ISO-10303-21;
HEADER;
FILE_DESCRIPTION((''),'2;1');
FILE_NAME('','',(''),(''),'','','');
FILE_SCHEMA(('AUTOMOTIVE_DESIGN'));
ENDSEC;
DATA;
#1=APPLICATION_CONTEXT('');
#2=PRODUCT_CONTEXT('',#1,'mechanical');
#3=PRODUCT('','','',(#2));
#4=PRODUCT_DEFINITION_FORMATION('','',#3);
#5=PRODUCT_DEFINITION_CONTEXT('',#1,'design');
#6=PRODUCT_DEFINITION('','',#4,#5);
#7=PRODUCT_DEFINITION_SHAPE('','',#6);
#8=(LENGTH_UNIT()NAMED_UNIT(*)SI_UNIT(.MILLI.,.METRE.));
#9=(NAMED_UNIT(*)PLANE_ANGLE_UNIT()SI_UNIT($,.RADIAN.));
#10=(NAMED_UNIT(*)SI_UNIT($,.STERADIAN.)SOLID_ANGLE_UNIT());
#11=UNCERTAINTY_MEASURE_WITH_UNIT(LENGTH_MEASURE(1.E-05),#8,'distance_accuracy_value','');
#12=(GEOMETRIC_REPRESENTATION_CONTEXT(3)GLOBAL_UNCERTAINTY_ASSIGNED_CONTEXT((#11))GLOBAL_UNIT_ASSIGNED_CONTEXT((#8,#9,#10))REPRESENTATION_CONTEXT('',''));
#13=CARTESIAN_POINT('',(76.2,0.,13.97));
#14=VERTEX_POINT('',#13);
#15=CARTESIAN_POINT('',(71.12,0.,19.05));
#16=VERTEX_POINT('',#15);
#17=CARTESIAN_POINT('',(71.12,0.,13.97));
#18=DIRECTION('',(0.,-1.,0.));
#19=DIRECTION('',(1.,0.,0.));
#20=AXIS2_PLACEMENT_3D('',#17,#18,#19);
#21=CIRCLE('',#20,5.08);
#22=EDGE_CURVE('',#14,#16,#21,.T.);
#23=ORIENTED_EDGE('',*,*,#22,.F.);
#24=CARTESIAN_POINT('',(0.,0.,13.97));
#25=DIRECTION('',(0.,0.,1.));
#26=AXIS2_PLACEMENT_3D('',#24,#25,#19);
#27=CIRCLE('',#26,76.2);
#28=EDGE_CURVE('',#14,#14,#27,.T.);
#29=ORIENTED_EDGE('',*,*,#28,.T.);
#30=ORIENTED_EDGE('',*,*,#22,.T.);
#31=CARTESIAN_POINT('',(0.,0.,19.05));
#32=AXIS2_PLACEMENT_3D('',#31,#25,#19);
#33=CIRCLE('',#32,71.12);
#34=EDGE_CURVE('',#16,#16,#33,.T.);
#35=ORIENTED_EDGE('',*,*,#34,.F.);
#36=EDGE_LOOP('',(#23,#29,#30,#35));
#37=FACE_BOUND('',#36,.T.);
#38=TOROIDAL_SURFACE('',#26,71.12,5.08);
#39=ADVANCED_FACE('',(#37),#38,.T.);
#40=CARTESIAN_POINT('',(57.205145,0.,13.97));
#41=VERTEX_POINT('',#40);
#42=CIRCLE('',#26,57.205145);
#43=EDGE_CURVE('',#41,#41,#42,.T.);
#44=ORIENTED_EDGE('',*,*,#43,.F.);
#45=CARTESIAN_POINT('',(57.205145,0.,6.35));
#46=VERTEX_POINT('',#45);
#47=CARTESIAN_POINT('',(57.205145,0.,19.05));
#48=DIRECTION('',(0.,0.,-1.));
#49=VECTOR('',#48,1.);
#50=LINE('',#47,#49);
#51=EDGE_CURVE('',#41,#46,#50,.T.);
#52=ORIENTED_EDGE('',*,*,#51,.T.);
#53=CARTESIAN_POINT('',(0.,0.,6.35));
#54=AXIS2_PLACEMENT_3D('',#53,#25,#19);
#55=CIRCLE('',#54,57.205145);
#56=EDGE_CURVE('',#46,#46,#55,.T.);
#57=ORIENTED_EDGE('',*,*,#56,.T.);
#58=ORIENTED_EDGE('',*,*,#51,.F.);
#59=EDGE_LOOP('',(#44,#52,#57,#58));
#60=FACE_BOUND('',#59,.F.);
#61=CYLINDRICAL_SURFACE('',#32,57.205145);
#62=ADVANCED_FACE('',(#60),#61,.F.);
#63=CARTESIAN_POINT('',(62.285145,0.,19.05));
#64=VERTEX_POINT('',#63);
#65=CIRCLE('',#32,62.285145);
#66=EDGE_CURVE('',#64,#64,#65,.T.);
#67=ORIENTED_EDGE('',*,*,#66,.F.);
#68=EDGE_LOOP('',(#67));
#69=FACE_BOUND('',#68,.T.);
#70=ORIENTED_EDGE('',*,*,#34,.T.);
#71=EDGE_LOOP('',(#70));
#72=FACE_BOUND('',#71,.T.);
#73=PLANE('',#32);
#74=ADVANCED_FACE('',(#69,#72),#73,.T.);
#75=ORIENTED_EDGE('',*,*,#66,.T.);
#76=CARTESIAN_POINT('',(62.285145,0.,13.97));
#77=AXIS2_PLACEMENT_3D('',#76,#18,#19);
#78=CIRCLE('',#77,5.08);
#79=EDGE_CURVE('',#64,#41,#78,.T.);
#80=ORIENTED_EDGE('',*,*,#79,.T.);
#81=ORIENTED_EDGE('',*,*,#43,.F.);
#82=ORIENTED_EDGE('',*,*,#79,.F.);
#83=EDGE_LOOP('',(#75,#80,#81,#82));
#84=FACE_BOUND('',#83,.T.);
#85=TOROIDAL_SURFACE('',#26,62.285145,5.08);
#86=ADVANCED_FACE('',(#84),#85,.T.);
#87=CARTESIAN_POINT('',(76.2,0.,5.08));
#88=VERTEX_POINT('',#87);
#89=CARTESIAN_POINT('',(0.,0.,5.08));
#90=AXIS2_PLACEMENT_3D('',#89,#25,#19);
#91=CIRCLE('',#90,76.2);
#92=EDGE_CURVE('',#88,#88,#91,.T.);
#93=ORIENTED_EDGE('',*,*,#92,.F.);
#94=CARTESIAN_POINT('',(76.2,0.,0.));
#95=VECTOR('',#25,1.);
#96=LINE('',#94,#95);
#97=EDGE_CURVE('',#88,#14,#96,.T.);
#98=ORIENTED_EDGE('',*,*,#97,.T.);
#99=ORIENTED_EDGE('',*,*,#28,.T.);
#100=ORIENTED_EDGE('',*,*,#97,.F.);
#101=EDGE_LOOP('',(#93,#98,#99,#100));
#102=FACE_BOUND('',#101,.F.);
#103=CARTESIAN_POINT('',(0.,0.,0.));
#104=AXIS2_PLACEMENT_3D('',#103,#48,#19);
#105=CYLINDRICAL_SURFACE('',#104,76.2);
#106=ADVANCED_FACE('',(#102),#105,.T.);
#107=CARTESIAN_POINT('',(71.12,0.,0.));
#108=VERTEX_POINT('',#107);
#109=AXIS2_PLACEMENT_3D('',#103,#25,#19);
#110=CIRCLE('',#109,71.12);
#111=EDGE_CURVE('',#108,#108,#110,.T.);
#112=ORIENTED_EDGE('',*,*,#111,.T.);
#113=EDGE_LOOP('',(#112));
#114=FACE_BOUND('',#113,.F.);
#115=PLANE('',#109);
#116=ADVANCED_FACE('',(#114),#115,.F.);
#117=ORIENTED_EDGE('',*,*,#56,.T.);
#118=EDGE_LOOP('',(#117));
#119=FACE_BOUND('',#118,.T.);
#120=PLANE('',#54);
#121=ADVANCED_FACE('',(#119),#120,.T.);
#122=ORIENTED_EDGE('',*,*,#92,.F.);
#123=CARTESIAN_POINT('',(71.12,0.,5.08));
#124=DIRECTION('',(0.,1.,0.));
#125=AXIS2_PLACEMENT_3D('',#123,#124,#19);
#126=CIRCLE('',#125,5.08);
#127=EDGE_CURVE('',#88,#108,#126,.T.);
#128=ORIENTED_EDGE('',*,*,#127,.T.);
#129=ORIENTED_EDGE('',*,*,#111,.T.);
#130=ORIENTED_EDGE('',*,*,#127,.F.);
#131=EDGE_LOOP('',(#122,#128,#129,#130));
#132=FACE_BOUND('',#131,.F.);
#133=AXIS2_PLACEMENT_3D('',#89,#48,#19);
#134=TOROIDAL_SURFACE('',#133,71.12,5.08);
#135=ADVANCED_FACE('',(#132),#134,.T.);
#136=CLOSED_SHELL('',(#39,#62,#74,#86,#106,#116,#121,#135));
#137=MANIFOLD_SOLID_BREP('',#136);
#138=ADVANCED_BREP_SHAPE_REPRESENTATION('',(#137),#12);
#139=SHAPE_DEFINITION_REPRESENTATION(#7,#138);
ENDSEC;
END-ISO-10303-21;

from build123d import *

# Parameters (mm, degrees)
F0_R     = 76.2
F1_DEPTH = 19.05
F2_R     = 57.205145
F3_DEPTH = 12.7
F4_R     = 5.08
F5_R     = 5.08


with BuildPart() as f1:
    # F0 (on Top) → F1 (new body)
    with BuildSketch(Plane.XY):
        Circle(F0_R)
    extrude(amount=F1_DEPTH)

    # F2 (on face) → F3 (cut)
    with BuildSketch(Plane.XY.offset(19.05)):
        Circle(F2_R)
    extrude(amount=-F3_DEPTH, mode=Mode.SUBTRACT)

    # F4
    f4_edges = [f1.edges().sort_by_distance(p)[0] for p in [
        (-57.205145, 0, 19.05),
        (-76.2, 0, 19.05),
    ]]
    fillet(f4_edges, radius=F4_R)

    # F5
    f5_edges = [f1.edges().sort_by_distance(p)[0] for p in [
        (-76.2, 0, 0),
    ]]
    fillet(f5_edges, radius=F5_R)


solid = f1.part
